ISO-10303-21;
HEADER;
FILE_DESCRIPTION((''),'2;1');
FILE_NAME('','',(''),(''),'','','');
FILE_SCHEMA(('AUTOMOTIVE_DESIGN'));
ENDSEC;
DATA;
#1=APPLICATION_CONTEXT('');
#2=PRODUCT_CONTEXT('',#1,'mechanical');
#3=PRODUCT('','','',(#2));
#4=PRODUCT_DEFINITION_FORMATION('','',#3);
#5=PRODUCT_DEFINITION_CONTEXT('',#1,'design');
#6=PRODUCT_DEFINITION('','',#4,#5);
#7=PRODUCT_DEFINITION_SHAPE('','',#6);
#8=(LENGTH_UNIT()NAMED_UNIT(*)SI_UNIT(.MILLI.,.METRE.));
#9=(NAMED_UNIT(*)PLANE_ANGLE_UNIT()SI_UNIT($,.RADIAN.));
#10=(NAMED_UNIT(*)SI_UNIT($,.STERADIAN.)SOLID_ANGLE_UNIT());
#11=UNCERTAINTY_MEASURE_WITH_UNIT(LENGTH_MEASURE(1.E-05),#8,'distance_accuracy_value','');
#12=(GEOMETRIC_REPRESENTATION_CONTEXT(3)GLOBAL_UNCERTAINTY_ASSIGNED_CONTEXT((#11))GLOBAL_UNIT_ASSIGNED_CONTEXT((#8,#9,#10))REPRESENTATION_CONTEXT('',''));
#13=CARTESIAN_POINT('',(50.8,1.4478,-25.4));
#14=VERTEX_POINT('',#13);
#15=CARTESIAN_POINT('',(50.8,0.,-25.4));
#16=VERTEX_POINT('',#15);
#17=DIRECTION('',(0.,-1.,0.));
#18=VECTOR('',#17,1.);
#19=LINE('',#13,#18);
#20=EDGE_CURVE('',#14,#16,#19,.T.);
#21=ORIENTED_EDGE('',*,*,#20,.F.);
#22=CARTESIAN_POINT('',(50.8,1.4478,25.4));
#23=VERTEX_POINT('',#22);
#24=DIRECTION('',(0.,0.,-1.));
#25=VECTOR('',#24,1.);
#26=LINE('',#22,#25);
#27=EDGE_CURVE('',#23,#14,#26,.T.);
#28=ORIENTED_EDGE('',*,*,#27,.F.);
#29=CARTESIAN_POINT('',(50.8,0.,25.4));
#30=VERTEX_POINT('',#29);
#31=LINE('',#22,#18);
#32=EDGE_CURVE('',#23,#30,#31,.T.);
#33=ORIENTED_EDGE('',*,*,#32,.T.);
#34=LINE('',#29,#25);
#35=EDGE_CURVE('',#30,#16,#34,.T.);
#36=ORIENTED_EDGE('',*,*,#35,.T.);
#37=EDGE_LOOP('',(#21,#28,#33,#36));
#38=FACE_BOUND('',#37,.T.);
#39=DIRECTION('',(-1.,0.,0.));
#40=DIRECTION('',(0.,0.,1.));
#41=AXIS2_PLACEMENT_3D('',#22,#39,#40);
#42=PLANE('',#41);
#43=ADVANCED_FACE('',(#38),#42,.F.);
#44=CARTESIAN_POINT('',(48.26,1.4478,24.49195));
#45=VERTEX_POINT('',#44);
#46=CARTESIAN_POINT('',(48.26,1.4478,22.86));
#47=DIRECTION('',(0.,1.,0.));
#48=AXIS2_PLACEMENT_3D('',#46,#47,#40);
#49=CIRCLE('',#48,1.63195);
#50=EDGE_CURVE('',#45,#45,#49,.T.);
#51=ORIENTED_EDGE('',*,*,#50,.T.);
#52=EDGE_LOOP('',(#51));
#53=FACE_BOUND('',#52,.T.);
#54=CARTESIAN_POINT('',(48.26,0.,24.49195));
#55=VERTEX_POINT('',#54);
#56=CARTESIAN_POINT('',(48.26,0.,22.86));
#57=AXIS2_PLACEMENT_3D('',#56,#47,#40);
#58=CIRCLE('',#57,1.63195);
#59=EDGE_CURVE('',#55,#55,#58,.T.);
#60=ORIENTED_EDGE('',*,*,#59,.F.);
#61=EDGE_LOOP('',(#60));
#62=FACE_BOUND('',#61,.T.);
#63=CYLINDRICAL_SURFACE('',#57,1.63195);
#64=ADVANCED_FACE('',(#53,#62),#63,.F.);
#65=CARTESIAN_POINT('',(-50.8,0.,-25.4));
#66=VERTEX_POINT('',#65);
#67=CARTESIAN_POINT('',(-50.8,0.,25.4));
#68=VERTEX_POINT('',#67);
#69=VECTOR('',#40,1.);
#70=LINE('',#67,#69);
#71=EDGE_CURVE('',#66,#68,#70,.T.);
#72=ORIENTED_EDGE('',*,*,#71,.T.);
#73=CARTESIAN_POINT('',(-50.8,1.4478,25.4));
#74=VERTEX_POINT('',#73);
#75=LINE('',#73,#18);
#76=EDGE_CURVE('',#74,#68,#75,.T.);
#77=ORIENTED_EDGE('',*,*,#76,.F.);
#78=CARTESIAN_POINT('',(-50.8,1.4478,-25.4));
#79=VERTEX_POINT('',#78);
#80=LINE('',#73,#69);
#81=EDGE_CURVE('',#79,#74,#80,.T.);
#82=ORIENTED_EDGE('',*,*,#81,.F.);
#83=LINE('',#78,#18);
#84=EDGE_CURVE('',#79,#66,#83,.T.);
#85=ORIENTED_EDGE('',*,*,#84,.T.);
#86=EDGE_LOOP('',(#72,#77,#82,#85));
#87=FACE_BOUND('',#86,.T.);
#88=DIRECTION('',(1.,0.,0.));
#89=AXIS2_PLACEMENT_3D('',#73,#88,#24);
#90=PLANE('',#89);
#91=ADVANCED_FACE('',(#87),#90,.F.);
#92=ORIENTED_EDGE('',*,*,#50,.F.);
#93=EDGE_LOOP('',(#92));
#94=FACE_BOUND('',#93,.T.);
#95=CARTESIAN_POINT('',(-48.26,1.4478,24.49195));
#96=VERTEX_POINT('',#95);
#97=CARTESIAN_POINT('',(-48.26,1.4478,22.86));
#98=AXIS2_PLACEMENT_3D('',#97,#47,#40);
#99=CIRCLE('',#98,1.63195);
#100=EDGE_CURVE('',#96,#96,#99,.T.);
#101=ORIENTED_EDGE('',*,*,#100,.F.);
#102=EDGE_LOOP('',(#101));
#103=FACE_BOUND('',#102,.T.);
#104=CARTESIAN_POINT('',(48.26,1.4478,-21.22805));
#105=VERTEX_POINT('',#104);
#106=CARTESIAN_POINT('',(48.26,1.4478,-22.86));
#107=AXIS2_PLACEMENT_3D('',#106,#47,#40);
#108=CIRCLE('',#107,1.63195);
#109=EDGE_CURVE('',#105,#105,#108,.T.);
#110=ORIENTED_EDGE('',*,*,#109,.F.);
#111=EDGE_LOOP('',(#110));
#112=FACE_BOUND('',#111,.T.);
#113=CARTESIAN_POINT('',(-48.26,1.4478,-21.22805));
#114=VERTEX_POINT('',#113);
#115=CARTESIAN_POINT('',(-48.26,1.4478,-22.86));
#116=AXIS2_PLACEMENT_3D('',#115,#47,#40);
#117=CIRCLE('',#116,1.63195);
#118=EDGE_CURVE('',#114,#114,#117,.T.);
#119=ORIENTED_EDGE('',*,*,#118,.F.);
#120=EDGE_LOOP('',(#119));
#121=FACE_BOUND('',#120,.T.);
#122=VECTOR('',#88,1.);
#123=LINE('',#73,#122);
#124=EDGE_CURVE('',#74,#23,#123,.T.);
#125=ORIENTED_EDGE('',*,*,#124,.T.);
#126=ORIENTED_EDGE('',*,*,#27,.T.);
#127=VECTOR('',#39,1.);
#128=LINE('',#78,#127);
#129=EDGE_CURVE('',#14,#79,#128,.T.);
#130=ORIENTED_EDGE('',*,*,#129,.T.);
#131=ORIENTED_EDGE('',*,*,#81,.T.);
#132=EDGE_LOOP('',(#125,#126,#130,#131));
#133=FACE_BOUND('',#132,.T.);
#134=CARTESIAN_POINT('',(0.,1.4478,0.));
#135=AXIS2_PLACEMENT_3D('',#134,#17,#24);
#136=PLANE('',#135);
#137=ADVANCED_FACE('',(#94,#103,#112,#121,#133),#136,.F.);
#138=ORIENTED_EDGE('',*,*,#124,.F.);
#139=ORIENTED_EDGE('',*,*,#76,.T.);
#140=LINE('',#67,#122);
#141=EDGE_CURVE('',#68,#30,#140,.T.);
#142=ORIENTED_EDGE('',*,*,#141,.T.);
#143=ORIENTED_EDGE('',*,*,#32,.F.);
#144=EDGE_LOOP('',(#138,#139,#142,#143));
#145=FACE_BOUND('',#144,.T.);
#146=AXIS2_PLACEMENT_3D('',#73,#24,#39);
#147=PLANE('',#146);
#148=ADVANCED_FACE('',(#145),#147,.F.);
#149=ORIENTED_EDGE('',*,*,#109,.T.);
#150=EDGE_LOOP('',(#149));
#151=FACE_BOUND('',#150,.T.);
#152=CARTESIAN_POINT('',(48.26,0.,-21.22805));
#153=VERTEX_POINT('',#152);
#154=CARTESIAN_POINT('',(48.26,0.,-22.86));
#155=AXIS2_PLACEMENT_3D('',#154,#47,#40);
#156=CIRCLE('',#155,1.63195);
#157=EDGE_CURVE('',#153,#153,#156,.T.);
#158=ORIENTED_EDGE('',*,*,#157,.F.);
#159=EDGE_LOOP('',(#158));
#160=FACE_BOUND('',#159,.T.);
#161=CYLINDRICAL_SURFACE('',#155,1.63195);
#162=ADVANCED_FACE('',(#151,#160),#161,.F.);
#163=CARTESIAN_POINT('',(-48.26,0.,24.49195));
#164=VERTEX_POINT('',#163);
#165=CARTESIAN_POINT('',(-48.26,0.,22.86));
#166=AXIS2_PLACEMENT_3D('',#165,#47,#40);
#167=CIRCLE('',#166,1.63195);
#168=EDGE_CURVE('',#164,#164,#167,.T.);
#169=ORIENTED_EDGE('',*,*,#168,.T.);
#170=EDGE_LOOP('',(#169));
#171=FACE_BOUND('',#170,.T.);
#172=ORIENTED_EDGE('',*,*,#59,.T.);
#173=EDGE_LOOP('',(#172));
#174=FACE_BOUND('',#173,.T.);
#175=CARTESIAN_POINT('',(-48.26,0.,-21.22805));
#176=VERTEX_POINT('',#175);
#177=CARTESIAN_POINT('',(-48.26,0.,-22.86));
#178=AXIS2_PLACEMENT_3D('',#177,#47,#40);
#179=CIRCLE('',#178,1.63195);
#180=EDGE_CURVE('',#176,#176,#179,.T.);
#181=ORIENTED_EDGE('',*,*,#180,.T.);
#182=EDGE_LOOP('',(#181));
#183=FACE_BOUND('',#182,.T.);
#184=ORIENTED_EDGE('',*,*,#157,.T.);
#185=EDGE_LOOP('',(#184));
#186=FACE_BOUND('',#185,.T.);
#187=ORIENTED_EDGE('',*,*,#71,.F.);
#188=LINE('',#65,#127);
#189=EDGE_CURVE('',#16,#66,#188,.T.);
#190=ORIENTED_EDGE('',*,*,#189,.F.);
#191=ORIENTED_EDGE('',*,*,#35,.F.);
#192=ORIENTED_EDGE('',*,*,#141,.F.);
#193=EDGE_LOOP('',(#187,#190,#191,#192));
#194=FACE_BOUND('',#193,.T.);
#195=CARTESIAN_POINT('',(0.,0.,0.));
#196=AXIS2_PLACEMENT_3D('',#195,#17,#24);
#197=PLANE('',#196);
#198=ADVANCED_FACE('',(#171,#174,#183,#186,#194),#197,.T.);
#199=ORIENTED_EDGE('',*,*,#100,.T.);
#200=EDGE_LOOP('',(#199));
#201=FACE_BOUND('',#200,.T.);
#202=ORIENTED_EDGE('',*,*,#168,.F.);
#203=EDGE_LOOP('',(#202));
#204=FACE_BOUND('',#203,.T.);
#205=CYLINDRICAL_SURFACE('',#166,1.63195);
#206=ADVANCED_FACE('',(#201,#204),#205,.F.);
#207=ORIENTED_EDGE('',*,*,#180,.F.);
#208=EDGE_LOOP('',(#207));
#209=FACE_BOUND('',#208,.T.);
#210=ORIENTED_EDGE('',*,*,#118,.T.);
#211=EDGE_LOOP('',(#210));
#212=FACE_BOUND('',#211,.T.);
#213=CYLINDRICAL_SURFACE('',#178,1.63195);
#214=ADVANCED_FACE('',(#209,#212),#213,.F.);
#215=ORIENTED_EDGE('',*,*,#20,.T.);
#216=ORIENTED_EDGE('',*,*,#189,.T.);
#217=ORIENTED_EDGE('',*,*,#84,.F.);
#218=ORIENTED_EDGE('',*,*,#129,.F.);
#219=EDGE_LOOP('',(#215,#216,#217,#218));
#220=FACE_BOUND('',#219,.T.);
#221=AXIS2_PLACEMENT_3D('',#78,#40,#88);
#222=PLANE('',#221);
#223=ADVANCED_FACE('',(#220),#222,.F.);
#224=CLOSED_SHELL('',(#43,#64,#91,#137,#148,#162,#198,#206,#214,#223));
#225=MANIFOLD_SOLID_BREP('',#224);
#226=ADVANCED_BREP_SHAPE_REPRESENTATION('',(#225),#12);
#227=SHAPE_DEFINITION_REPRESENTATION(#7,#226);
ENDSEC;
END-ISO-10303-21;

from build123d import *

# Parameters (mm, degrees)
SKETCH1_W           = 101.6
SKETCH1_H           = 50.8
BOSS_EXTRUDE1_DEPTH = 1.4478
SKETCH2_R           = 1.63195
CUT_EXTRUDE1_DEPTH  = 57.814576693


with BuildPart() as part:
    # Sketch1 → Boss-Extrude1 (new body)
    with BuildSketch(Plane(origin=(0, 0, 0), x_dir=(1, 0, 0), z_dir=(0, 1, 0))):
        Rectangle(SKETCH1_W, SKETCH1_H)
    extrude(amount=BOSS_EXTRUDE1_DEPTH)

    # Sketch2 → Cut-Extrude1 (cut, through all)
    with BuildSketch(Plane(origin=(0, 1.4478, 0), x_dir=(1, 0, 0), z_dir=(0, 1, 0))):
        with Locations(Location((-48.26, 22.86, 0), (0, 0, 270))):
            Circle(SKETCH2_R)
        with Locations(Location((-48.26, -22.86, 0), (0, 0, 270))):
            Circle(SKETCH2_R)
        with Locations(Location((48.26, -22.86, 0), (0, 0, 270))):
            Circle(SKETCH2_R)
        with Locations(Location((48.26, 22.86, 0), (0, 0, 270))):
            Circle(SKETCH2_R)
    extrude(amount=-CUT_EXTRUDE1_DEPTH, mode=Mode.SUBTRACT)


solid = part.part
